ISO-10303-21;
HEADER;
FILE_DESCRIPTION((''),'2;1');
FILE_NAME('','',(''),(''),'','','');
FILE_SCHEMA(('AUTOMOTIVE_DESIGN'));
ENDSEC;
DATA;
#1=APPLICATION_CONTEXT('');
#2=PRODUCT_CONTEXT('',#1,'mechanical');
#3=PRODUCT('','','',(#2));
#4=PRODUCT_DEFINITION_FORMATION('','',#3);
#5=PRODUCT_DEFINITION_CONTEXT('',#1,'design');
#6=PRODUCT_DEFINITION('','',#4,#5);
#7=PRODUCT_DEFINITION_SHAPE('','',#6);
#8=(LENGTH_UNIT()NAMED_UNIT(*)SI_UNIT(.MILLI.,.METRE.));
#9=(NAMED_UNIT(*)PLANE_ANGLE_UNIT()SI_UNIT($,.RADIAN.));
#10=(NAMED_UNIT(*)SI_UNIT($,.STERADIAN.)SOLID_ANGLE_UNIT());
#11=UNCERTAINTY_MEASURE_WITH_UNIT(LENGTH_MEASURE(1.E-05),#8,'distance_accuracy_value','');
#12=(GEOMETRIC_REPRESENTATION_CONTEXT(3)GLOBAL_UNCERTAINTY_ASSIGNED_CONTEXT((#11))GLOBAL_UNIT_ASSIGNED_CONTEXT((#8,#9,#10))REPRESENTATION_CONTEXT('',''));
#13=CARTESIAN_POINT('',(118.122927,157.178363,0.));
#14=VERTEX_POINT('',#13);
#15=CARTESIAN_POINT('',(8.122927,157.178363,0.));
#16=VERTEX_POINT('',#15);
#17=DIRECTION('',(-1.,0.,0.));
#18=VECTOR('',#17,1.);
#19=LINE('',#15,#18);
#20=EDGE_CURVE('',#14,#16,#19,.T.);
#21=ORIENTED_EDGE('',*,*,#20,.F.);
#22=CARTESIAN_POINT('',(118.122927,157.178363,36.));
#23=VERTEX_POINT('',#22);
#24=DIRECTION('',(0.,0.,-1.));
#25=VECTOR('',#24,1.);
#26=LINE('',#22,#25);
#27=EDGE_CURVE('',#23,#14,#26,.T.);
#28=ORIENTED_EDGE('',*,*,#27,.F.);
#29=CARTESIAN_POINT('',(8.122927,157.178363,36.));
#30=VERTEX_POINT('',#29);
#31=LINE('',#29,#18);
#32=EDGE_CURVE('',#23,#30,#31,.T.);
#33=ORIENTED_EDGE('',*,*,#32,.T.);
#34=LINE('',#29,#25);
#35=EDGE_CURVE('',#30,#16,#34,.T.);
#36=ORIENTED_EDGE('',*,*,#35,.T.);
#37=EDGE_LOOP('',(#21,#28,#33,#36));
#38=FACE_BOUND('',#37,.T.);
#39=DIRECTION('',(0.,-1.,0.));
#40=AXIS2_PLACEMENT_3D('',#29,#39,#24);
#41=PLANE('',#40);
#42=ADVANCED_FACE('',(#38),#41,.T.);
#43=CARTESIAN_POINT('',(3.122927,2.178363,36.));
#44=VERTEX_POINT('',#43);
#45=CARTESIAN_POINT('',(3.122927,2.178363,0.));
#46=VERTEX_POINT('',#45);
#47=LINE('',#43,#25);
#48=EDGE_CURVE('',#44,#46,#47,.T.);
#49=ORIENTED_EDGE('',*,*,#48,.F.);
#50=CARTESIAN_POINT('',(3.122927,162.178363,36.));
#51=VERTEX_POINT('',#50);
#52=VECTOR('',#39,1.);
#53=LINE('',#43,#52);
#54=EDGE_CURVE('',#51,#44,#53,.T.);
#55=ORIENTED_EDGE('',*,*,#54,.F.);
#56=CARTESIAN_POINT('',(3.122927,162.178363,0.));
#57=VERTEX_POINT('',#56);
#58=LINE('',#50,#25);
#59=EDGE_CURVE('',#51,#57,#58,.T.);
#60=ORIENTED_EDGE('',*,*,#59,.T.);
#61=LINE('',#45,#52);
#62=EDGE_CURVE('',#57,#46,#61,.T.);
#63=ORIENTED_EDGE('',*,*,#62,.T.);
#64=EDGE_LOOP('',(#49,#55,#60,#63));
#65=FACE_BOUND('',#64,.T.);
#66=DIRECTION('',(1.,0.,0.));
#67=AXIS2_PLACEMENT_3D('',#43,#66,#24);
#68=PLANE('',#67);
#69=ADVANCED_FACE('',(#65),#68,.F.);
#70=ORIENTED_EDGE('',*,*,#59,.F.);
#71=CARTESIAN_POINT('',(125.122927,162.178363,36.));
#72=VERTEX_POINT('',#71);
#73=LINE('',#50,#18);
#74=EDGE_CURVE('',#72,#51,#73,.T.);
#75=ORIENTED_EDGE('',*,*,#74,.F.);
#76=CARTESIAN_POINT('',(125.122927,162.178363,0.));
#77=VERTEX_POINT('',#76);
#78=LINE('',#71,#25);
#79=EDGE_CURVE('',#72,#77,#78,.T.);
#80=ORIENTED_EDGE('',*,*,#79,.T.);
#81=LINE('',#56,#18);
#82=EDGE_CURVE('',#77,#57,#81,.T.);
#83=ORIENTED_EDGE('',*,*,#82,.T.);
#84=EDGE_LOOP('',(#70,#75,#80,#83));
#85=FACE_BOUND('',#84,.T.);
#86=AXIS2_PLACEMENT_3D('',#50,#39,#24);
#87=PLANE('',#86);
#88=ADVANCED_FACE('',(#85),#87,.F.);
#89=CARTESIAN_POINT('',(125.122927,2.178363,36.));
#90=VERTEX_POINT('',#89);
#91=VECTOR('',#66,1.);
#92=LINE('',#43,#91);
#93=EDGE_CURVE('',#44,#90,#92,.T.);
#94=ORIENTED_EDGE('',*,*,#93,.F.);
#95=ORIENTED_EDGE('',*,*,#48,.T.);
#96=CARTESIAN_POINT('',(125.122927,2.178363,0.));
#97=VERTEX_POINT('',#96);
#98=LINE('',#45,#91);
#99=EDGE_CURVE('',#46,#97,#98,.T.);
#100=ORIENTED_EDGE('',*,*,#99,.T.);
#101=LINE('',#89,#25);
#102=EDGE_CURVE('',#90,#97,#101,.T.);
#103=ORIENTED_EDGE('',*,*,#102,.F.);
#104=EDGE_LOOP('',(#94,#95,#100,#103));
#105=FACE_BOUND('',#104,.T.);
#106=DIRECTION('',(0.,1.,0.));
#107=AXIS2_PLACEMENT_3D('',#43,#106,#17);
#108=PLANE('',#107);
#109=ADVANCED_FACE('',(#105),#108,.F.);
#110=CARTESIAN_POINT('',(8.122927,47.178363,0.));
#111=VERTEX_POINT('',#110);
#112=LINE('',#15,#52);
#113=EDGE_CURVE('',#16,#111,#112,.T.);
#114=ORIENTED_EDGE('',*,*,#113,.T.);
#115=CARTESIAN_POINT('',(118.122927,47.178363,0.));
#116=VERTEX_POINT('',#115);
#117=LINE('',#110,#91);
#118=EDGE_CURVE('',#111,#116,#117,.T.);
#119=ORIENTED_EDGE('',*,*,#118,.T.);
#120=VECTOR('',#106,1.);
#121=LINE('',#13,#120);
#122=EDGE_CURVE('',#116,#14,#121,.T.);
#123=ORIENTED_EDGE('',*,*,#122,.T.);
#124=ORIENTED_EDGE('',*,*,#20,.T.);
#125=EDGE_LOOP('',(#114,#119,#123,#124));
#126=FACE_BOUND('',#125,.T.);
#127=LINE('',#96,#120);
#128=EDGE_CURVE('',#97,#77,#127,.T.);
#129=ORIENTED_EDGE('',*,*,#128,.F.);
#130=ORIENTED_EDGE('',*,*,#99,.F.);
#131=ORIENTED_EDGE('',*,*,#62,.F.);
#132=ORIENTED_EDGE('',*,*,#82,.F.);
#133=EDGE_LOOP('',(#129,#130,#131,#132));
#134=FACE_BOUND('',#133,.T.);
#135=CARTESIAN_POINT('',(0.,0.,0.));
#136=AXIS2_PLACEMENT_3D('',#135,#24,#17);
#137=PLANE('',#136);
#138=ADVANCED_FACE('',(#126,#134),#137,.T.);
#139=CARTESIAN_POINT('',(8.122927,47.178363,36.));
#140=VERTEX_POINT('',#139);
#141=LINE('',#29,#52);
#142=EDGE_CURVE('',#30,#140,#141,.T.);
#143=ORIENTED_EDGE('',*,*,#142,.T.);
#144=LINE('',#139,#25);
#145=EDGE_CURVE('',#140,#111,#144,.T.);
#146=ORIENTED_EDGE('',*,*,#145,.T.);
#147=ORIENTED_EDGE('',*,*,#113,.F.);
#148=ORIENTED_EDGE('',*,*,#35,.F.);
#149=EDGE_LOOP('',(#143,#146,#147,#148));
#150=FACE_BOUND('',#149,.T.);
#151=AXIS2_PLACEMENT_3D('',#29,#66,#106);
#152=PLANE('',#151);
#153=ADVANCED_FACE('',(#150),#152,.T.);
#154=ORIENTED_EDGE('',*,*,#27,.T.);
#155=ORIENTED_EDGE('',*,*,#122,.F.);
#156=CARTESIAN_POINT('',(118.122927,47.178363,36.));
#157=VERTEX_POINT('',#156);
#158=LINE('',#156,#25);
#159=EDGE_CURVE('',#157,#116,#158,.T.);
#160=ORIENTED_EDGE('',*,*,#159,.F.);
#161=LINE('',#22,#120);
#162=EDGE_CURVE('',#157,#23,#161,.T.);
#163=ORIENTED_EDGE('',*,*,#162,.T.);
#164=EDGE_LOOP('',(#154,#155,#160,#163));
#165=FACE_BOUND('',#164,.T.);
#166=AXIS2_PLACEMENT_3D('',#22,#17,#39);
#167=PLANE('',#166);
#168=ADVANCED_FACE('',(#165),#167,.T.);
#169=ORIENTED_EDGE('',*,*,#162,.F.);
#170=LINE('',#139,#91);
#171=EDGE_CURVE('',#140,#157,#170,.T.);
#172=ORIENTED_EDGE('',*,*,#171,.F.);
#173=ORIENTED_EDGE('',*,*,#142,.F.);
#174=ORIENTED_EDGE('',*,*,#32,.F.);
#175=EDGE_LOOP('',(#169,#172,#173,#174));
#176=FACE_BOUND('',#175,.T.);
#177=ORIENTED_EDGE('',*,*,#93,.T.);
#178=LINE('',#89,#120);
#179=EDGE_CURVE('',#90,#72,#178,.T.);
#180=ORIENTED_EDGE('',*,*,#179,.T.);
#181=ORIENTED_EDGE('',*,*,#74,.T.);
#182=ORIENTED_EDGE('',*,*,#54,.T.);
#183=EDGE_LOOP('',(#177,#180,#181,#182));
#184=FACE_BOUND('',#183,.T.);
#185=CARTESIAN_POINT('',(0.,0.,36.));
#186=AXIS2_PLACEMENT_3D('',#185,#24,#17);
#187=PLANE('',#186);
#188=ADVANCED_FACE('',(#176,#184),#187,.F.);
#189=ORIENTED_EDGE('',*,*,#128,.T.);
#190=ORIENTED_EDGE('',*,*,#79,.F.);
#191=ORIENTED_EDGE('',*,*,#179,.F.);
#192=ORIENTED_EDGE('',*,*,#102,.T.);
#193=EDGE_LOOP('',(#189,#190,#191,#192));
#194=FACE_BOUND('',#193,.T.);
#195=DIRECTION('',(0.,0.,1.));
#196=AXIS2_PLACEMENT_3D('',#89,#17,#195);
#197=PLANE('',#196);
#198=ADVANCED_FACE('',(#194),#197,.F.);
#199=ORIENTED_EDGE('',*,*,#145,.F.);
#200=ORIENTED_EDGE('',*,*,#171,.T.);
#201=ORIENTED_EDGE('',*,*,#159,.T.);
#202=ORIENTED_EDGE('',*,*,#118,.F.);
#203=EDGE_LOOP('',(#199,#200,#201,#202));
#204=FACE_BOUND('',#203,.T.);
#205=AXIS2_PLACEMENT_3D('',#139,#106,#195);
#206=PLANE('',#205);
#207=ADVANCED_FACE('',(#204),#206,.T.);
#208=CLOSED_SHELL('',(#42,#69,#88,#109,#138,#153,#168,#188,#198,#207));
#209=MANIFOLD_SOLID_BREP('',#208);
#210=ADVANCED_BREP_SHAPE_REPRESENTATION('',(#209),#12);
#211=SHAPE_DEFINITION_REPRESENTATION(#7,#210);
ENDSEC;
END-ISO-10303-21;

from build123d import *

# Parameters (mm, degrees)
ESQUISSE1_W        = 122
ESQUISSE1_H        = 160
ESQUISSE1_W_2      = 110
ESQUISSE1_H_2      = 110
BOSS_EXTRU_1_DEPTH = 36


with BuildPart() as part:
    # Esquisse1 → Boss.-Extru.1 (new body)
    with BuildSketch(Plane.XY):
        with Locations((64.122927327, 82.178363229)):
            Rectangle(ESQUISSE1_W, ESQUISSE1_H)
        with Locations((63.122927327, 102.178363229)):
            Rectangle(ESQUISSE1_W_2, ESQUISSE1_H_2, mode=Mode.SUBTRACT)
    extrude(amount=BOSS_EXTRU_1_DEPTH)


solid = part.part
